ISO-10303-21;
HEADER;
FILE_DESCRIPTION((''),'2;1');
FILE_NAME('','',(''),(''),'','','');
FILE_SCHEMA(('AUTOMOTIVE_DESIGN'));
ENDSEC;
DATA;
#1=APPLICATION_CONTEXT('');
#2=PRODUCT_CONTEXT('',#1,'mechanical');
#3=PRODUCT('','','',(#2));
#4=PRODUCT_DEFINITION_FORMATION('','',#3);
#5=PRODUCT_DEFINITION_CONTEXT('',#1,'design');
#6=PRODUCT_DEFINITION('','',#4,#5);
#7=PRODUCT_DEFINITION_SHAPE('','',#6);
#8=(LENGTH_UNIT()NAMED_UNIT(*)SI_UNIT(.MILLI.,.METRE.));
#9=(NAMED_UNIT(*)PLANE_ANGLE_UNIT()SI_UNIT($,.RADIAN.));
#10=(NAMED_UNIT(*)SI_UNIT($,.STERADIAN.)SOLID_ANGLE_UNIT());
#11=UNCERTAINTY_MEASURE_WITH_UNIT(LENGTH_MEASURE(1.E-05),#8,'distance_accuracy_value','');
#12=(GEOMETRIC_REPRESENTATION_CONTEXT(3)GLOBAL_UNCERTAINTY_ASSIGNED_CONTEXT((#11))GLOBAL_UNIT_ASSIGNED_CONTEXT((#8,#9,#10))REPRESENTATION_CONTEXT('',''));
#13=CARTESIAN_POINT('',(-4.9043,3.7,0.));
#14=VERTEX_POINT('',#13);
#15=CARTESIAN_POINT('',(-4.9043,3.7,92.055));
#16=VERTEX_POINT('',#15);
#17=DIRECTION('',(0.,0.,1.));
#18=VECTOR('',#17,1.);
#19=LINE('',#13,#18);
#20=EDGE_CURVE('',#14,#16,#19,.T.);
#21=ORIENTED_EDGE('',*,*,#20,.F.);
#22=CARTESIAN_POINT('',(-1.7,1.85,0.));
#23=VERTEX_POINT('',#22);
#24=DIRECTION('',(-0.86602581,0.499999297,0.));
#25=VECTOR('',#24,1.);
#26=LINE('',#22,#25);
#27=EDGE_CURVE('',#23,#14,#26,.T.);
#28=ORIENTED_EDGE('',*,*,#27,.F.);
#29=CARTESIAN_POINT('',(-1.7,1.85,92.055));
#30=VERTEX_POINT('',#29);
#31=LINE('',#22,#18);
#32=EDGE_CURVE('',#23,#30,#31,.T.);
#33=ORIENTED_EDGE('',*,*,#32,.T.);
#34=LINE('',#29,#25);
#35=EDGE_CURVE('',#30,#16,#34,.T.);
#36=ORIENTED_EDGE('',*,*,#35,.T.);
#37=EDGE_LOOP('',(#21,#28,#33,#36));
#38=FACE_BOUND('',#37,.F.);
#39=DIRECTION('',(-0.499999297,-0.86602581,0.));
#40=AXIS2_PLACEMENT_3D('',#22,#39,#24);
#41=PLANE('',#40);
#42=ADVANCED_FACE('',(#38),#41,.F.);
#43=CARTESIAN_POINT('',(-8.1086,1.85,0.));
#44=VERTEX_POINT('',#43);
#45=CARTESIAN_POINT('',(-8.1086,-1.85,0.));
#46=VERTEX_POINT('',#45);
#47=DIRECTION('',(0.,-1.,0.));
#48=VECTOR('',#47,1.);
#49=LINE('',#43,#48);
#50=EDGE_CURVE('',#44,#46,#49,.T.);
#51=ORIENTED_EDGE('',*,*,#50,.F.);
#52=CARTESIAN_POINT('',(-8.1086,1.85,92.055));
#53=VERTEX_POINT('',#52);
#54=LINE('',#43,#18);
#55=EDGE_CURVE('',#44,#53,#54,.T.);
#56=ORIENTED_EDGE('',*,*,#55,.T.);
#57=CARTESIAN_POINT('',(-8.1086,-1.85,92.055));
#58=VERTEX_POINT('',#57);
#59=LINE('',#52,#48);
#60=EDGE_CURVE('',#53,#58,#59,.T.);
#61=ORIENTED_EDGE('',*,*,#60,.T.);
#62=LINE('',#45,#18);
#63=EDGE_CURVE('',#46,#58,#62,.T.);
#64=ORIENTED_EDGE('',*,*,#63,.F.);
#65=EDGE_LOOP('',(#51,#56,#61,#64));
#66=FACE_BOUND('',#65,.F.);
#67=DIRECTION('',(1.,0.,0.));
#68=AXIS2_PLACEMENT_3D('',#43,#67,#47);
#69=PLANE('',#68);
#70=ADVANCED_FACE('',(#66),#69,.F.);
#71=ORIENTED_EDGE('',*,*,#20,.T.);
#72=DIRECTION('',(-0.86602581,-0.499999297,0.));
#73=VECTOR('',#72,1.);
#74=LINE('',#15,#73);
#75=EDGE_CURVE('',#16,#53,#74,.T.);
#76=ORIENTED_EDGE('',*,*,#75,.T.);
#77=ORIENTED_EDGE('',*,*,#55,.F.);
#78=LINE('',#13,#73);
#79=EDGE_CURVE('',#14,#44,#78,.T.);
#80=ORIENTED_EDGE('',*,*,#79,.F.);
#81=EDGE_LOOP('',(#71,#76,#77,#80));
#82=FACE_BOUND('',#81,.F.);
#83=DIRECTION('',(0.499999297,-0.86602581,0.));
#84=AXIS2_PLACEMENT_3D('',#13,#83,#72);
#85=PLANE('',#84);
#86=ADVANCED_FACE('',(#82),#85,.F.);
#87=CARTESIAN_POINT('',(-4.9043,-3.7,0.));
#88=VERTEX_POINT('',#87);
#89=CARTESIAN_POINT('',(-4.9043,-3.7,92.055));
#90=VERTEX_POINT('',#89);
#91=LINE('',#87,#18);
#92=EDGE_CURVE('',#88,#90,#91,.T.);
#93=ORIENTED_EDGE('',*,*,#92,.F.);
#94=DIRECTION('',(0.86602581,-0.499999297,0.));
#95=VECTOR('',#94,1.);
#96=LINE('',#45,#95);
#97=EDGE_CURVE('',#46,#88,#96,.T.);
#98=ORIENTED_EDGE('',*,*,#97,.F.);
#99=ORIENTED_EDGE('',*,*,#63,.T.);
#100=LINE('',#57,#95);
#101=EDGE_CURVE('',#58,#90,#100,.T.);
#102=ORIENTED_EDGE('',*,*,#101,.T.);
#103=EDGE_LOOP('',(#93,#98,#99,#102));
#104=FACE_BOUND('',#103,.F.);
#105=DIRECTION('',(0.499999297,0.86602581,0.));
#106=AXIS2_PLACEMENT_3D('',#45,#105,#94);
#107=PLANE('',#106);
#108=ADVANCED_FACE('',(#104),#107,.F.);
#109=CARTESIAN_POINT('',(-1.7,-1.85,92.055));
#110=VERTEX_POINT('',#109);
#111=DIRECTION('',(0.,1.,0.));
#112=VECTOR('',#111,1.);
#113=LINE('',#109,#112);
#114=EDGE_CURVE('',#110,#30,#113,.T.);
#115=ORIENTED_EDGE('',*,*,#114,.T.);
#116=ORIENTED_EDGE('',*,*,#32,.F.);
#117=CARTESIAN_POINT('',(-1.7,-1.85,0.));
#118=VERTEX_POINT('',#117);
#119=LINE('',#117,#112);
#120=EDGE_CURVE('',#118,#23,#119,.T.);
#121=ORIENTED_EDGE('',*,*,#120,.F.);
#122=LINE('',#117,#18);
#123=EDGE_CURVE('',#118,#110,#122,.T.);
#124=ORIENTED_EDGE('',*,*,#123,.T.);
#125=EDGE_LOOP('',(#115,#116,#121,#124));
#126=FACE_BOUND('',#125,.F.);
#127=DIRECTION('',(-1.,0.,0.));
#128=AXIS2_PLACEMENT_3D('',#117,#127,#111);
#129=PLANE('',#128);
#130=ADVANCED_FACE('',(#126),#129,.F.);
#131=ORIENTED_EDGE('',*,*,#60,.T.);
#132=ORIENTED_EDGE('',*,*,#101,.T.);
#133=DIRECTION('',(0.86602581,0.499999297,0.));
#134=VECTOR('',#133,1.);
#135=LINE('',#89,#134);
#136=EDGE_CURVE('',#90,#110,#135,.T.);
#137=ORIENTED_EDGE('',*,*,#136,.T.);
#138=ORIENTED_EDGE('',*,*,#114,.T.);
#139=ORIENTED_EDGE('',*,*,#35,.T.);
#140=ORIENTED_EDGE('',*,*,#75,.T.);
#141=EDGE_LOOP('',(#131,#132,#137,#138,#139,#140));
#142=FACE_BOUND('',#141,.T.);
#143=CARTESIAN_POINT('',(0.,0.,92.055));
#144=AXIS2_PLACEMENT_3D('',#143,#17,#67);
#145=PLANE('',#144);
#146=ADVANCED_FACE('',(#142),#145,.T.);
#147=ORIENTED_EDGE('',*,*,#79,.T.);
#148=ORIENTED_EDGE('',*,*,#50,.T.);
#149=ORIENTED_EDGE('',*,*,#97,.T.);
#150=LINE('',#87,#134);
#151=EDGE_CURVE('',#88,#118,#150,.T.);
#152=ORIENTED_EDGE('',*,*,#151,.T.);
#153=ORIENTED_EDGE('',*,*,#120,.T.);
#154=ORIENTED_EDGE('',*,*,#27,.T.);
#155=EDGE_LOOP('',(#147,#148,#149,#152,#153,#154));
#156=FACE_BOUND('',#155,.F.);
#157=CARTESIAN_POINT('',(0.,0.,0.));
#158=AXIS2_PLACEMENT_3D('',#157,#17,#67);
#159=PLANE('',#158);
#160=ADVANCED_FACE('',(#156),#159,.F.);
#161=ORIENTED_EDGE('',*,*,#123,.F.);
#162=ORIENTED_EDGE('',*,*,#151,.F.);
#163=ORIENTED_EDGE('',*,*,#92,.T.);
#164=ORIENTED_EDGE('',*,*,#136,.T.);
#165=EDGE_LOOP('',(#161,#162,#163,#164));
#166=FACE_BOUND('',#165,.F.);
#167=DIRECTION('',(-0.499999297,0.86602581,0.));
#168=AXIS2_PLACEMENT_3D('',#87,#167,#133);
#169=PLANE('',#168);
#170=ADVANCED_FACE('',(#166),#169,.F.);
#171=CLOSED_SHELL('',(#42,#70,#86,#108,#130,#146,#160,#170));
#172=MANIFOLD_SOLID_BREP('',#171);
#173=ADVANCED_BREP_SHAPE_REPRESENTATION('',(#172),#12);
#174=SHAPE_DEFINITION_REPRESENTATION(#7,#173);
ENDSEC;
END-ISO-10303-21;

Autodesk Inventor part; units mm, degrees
ref_plane "YZ Plane" through (0, 0, 0) normal (1, 0, 0) x (0, 1, 0)
ref_plane "XZ Plane" through (0, 0, 0) normal (0, 1, 0) x (-1, 0, 0)
ref_plane "XY Plane" through (0, 0, 0) normal (0, 0, 1) x (1, 0, 0)
sketch "Boceto1" plane through (0, 0, 0) normal (0, 0, 1) x (1, 0, 0)
  line L0 (-8.1086, -1.85) -> (-4.9043, -3.7)
  line L1 (-4.9043, -3.7) -> (-1.7, -1.85)
  line L2 (-1.7, -1.85) -> (-1.7, 1.85)
  line L3 (-1.7, 1.85) -> (-4.9043, 3.7)
  line L4 (-4.9043, 3.7) -> (-8.1086, 1.85)
  line L5 (-8.1086, 1.85) -> (-8.1086, -1.85)
  point P0 (0, 0)
  point P1 (0, 0)
extrude "Extrusión1" add sketch "Boceto1" along normal blind 92.055
properties part number "RCT-T001"
